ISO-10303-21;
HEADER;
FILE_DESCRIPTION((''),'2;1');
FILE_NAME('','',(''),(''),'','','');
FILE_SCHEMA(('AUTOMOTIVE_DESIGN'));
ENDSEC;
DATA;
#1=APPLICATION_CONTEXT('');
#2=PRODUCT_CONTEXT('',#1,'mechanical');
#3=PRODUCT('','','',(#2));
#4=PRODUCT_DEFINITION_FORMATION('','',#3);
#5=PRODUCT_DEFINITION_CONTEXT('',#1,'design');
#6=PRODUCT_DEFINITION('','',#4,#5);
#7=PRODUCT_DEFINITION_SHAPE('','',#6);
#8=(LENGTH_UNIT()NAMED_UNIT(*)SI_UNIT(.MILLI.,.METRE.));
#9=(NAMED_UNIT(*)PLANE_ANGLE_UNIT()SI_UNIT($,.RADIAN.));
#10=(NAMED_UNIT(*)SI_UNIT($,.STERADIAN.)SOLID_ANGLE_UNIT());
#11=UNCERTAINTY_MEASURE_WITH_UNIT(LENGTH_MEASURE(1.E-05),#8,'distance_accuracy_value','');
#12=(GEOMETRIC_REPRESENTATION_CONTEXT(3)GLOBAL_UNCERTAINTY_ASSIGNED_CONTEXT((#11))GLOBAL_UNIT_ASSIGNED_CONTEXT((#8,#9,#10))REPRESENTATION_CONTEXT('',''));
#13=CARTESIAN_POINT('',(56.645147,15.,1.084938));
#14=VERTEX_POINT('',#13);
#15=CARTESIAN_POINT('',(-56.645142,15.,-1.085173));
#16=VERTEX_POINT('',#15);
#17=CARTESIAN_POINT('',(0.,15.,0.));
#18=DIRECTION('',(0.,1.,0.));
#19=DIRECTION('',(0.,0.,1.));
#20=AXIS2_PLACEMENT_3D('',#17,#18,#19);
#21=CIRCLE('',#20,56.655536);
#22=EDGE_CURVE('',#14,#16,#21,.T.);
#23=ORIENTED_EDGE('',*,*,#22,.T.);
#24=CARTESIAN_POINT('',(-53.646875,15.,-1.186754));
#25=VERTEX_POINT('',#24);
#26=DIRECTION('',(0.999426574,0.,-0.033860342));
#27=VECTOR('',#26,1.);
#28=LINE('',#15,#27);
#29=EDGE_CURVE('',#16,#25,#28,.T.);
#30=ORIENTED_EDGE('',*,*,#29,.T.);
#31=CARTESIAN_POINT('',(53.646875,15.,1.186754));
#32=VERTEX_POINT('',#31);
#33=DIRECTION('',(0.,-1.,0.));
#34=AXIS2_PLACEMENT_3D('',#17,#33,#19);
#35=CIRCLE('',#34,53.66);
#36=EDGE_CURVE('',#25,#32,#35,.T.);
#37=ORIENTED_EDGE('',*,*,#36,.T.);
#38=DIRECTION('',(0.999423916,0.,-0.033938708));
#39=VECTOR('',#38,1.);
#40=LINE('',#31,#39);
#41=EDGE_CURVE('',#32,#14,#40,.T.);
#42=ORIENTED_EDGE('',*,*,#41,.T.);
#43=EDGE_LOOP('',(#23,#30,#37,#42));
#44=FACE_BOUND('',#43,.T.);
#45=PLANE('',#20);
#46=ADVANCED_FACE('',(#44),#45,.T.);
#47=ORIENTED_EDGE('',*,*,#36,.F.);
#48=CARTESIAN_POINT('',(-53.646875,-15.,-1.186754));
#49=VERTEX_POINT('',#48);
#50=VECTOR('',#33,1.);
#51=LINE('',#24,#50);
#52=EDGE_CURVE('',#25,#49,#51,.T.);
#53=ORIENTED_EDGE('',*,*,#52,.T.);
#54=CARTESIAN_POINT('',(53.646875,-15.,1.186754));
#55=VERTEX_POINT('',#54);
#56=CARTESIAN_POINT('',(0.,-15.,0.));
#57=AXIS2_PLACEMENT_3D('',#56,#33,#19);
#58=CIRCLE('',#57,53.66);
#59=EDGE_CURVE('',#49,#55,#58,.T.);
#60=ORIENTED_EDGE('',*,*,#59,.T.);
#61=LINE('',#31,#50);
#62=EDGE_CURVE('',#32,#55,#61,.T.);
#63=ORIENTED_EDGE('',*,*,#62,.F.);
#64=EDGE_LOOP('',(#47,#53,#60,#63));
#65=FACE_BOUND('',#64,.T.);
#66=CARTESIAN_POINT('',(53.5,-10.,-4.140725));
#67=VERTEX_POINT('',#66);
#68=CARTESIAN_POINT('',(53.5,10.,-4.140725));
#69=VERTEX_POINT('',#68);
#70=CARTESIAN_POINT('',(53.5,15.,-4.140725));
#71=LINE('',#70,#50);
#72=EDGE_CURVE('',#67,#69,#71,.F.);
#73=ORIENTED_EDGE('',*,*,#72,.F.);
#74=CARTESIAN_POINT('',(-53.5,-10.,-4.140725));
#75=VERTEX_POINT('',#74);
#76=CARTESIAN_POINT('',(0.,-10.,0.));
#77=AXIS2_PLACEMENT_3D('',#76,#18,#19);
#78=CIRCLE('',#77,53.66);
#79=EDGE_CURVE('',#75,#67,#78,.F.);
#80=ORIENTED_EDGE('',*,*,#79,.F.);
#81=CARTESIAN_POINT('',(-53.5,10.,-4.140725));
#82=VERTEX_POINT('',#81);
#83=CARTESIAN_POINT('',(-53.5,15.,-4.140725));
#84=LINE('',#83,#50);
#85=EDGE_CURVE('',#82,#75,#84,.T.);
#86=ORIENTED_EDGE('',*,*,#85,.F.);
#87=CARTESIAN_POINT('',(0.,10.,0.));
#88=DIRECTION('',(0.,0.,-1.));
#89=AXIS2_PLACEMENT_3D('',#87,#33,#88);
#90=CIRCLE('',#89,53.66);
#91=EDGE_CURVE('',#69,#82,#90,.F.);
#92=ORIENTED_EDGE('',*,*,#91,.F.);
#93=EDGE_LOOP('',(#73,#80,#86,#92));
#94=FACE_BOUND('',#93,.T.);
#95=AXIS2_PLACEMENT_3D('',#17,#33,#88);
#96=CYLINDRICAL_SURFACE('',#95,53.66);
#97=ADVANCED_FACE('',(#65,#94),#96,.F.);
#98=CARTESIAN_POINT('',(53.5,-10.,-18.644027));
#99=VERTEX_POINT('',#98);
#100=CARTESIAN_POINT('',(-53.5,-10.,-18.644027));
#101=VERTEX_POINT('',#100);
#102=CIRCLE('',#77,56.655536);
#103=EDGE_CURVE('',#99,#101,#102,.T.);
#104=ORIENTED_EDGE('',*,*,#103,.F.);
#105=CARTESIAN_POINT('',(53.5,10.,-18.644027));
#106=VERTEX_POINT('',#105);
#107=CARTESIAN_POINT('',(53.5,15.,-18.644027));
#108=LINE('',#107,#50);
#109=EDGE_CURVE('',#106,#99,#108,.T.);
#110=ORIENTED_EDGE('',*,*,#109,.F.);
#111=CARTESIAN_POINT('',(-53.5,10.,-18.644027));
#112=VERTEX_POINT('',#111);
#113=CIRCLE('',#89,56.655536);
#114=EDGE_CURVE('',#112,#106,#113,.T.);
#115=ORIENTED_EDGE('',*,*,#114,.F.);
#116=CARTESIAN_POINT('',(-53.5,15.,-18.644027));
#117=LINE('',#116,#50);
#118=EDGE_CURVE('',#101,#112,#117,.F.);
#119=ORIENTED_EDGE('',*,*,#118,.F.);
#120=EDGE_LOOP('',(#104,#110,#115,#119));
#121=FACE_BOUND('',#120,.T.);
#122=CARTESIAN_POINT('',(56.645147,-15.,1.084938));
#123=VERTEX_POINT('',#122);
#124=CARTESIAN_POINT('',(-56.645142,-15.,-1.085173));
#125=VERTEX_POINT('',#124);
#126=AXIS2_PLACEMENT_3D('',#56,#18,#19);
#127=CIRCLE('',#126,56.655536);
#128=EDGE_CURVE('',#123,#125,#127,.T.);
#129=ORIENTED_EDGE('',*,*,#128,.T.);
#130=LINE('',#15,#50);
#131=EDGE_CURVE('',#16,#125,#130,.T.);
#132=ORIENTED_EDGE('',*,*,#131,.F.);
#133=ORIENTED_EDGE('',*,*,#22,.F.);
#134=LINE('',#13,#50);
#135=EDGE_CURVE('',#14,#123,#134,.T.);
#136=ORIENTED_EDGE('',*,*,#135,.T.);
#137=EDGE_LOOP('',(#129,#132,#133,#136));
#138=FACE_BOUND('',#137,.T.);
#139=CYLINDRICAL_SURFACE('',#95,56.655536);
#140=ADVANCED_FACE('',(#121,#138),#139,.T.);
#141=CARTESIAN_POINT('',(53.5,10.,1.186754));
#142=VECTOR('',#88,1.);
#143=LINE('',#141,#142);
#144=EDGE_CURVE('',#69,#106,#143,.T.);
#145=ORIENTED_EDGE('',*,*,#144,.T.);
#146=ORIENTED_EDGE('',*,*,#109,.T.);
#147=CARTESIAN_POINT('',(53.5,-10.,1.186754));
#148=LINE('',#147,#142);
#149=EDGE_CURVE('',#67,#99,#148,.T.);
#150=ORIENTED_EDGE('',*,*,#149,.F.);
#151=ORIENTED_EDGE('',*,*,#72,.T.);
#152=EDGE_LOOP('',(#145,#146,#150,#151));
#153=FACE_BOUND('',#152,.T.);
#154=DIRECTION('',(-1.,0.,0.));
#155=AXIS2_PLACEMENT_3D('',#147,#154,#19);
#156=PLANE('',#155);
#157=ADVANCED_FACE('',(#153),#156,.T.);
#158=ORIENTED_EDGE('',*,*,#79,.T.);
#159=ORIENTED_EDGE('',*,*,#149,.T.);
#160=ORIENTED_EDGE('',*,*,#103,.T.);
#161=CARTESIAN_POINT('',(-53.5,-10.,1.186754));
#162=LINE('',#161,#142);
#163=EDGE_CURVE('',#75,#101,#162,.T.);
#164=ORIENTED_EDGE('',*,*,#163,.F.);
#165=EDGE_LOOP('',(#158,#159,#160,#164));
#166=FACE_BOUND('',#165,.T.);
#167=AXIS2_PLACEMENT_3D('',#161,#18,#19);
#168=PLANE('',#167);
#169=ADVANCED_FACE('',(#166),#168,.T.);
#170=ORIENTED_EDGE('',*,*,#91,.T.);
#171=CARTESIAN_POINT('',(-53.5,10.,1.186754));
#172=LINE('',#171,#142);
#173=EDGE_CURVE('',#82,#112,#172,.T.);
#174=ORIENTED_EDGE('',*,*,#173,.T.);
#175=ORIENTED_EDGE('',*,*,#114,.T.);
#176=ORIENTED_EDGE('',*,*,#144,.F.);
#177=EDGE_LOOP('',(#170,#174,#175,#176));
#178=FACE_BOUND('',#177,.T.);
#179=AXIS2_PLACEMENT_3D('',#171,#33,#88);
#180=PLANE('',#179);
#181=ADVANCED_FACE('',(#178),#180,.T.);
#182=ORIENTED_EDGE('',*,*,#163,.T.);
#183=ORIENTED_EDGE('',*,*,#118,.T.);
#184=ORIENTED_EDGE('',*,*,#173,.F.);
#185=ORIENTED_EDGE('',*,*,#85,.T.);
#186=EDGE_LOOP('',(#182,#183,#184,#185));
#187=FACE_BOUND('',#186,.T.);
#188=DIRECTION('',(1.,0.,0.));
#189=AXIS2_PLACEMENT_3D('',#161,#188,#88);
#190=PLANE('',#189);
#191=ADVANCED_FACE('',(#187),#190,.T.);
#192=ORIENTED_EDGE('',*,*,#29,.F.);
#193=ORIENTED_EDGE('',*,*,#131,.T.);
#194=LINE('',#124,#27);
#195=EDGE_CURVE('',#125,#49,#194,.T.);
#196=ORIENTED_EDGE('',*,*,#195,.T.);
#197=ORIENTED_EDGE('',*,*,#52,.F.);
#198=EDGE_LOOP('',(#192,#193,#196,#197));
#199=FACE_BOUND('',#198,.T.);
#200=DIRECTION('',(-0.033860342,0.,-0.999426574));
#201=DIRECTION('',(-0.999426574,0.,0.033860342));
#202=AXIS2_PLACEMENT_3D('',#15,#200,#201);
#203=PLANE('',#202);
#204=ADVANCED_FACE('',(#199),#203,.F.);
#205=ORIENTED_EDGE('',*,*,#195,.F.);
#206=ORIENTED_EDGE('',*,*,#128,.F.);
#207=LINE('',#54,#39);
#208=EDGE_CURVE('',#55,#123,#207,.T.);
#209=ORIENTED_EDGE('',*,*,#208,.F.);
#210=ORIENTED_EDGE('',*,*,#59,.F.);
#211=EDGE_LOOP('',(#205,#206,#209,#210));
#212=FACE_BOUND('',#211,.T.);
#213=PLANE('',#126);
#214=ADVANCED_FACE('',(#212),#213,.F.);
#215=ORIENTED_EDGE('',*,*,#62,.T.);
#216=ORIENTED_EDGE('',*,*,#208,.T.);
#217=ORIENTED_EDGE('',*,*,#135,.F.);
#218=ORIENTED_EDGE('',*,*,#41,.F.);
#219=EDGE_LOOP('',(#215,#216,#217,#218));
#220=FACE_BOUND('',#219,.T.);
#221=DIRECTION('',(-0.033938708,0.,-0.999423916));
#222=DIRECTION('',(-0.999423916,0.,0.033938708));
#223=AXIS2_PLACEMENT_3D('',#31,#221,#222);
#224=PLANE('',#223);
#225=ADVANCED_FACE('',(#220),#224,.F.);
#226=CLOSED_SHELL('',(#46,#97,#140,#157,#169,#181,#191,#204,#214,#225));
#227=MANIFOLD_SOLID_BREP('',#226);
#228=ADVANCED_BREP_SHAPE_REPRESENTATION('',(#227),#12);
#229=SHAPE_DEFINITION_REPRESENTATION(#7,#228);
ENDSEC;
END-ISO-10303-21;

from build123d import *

# Parameters (mm, degrees)
BOSS_EXTRUDE1_DEPTH     = 15
CUT_EXTRUDE1_DEPTH      = 82.515026332
CUT_EXTRUDE1_DEPTH_BACK = 200
SKETCH3_W               = 107
SKETCH3_H               = 20


with BuildPart() as part:
    # Sketch1 → Boss-Extrude1 (new, symmetric)
    with BuildSketch(Plane(origin=(0, 0, 0), x_dir=(1, 0, 0), z_dir=(0, 1, 0))):
        with BuildLine():
            Line((-56.6451424, 1.085173475), (-53.646875163, 1.186754079))
            ThreePointArc((-53.646875163, 1.186754079), (1.186754079, 53.646875163), (53.646875163, -1.186754079))
            Line((53.646875163, -1.186754079), (56.645146911, -1.084937955))
            ThreePointArc((56.645146911, -1.084937955), (1.085055715, 56.645144656), (-56.6451424, 1.085173475))
        make_face()
    extrude(amount=BOSS_EXTRUDE1_DEPTH, both=True)

    # Sketch3 → Cut-Extrude1 (cut, two sides: drawn at the far end of the back side and taken through both)
    with BuildSketch(Plane.XY.offset(-CUT_EXTRUDE1_DEPTH_BACK)):
        Rectangle(SKETCH3_W, SKETCH3_H)
    extrude(amount=CUT_EXTRUDE1_DEPTH + CUT_EXTRUDE1_DEPTH_BACK, mode=Mode.SUBTRACT)


solid = part.part
